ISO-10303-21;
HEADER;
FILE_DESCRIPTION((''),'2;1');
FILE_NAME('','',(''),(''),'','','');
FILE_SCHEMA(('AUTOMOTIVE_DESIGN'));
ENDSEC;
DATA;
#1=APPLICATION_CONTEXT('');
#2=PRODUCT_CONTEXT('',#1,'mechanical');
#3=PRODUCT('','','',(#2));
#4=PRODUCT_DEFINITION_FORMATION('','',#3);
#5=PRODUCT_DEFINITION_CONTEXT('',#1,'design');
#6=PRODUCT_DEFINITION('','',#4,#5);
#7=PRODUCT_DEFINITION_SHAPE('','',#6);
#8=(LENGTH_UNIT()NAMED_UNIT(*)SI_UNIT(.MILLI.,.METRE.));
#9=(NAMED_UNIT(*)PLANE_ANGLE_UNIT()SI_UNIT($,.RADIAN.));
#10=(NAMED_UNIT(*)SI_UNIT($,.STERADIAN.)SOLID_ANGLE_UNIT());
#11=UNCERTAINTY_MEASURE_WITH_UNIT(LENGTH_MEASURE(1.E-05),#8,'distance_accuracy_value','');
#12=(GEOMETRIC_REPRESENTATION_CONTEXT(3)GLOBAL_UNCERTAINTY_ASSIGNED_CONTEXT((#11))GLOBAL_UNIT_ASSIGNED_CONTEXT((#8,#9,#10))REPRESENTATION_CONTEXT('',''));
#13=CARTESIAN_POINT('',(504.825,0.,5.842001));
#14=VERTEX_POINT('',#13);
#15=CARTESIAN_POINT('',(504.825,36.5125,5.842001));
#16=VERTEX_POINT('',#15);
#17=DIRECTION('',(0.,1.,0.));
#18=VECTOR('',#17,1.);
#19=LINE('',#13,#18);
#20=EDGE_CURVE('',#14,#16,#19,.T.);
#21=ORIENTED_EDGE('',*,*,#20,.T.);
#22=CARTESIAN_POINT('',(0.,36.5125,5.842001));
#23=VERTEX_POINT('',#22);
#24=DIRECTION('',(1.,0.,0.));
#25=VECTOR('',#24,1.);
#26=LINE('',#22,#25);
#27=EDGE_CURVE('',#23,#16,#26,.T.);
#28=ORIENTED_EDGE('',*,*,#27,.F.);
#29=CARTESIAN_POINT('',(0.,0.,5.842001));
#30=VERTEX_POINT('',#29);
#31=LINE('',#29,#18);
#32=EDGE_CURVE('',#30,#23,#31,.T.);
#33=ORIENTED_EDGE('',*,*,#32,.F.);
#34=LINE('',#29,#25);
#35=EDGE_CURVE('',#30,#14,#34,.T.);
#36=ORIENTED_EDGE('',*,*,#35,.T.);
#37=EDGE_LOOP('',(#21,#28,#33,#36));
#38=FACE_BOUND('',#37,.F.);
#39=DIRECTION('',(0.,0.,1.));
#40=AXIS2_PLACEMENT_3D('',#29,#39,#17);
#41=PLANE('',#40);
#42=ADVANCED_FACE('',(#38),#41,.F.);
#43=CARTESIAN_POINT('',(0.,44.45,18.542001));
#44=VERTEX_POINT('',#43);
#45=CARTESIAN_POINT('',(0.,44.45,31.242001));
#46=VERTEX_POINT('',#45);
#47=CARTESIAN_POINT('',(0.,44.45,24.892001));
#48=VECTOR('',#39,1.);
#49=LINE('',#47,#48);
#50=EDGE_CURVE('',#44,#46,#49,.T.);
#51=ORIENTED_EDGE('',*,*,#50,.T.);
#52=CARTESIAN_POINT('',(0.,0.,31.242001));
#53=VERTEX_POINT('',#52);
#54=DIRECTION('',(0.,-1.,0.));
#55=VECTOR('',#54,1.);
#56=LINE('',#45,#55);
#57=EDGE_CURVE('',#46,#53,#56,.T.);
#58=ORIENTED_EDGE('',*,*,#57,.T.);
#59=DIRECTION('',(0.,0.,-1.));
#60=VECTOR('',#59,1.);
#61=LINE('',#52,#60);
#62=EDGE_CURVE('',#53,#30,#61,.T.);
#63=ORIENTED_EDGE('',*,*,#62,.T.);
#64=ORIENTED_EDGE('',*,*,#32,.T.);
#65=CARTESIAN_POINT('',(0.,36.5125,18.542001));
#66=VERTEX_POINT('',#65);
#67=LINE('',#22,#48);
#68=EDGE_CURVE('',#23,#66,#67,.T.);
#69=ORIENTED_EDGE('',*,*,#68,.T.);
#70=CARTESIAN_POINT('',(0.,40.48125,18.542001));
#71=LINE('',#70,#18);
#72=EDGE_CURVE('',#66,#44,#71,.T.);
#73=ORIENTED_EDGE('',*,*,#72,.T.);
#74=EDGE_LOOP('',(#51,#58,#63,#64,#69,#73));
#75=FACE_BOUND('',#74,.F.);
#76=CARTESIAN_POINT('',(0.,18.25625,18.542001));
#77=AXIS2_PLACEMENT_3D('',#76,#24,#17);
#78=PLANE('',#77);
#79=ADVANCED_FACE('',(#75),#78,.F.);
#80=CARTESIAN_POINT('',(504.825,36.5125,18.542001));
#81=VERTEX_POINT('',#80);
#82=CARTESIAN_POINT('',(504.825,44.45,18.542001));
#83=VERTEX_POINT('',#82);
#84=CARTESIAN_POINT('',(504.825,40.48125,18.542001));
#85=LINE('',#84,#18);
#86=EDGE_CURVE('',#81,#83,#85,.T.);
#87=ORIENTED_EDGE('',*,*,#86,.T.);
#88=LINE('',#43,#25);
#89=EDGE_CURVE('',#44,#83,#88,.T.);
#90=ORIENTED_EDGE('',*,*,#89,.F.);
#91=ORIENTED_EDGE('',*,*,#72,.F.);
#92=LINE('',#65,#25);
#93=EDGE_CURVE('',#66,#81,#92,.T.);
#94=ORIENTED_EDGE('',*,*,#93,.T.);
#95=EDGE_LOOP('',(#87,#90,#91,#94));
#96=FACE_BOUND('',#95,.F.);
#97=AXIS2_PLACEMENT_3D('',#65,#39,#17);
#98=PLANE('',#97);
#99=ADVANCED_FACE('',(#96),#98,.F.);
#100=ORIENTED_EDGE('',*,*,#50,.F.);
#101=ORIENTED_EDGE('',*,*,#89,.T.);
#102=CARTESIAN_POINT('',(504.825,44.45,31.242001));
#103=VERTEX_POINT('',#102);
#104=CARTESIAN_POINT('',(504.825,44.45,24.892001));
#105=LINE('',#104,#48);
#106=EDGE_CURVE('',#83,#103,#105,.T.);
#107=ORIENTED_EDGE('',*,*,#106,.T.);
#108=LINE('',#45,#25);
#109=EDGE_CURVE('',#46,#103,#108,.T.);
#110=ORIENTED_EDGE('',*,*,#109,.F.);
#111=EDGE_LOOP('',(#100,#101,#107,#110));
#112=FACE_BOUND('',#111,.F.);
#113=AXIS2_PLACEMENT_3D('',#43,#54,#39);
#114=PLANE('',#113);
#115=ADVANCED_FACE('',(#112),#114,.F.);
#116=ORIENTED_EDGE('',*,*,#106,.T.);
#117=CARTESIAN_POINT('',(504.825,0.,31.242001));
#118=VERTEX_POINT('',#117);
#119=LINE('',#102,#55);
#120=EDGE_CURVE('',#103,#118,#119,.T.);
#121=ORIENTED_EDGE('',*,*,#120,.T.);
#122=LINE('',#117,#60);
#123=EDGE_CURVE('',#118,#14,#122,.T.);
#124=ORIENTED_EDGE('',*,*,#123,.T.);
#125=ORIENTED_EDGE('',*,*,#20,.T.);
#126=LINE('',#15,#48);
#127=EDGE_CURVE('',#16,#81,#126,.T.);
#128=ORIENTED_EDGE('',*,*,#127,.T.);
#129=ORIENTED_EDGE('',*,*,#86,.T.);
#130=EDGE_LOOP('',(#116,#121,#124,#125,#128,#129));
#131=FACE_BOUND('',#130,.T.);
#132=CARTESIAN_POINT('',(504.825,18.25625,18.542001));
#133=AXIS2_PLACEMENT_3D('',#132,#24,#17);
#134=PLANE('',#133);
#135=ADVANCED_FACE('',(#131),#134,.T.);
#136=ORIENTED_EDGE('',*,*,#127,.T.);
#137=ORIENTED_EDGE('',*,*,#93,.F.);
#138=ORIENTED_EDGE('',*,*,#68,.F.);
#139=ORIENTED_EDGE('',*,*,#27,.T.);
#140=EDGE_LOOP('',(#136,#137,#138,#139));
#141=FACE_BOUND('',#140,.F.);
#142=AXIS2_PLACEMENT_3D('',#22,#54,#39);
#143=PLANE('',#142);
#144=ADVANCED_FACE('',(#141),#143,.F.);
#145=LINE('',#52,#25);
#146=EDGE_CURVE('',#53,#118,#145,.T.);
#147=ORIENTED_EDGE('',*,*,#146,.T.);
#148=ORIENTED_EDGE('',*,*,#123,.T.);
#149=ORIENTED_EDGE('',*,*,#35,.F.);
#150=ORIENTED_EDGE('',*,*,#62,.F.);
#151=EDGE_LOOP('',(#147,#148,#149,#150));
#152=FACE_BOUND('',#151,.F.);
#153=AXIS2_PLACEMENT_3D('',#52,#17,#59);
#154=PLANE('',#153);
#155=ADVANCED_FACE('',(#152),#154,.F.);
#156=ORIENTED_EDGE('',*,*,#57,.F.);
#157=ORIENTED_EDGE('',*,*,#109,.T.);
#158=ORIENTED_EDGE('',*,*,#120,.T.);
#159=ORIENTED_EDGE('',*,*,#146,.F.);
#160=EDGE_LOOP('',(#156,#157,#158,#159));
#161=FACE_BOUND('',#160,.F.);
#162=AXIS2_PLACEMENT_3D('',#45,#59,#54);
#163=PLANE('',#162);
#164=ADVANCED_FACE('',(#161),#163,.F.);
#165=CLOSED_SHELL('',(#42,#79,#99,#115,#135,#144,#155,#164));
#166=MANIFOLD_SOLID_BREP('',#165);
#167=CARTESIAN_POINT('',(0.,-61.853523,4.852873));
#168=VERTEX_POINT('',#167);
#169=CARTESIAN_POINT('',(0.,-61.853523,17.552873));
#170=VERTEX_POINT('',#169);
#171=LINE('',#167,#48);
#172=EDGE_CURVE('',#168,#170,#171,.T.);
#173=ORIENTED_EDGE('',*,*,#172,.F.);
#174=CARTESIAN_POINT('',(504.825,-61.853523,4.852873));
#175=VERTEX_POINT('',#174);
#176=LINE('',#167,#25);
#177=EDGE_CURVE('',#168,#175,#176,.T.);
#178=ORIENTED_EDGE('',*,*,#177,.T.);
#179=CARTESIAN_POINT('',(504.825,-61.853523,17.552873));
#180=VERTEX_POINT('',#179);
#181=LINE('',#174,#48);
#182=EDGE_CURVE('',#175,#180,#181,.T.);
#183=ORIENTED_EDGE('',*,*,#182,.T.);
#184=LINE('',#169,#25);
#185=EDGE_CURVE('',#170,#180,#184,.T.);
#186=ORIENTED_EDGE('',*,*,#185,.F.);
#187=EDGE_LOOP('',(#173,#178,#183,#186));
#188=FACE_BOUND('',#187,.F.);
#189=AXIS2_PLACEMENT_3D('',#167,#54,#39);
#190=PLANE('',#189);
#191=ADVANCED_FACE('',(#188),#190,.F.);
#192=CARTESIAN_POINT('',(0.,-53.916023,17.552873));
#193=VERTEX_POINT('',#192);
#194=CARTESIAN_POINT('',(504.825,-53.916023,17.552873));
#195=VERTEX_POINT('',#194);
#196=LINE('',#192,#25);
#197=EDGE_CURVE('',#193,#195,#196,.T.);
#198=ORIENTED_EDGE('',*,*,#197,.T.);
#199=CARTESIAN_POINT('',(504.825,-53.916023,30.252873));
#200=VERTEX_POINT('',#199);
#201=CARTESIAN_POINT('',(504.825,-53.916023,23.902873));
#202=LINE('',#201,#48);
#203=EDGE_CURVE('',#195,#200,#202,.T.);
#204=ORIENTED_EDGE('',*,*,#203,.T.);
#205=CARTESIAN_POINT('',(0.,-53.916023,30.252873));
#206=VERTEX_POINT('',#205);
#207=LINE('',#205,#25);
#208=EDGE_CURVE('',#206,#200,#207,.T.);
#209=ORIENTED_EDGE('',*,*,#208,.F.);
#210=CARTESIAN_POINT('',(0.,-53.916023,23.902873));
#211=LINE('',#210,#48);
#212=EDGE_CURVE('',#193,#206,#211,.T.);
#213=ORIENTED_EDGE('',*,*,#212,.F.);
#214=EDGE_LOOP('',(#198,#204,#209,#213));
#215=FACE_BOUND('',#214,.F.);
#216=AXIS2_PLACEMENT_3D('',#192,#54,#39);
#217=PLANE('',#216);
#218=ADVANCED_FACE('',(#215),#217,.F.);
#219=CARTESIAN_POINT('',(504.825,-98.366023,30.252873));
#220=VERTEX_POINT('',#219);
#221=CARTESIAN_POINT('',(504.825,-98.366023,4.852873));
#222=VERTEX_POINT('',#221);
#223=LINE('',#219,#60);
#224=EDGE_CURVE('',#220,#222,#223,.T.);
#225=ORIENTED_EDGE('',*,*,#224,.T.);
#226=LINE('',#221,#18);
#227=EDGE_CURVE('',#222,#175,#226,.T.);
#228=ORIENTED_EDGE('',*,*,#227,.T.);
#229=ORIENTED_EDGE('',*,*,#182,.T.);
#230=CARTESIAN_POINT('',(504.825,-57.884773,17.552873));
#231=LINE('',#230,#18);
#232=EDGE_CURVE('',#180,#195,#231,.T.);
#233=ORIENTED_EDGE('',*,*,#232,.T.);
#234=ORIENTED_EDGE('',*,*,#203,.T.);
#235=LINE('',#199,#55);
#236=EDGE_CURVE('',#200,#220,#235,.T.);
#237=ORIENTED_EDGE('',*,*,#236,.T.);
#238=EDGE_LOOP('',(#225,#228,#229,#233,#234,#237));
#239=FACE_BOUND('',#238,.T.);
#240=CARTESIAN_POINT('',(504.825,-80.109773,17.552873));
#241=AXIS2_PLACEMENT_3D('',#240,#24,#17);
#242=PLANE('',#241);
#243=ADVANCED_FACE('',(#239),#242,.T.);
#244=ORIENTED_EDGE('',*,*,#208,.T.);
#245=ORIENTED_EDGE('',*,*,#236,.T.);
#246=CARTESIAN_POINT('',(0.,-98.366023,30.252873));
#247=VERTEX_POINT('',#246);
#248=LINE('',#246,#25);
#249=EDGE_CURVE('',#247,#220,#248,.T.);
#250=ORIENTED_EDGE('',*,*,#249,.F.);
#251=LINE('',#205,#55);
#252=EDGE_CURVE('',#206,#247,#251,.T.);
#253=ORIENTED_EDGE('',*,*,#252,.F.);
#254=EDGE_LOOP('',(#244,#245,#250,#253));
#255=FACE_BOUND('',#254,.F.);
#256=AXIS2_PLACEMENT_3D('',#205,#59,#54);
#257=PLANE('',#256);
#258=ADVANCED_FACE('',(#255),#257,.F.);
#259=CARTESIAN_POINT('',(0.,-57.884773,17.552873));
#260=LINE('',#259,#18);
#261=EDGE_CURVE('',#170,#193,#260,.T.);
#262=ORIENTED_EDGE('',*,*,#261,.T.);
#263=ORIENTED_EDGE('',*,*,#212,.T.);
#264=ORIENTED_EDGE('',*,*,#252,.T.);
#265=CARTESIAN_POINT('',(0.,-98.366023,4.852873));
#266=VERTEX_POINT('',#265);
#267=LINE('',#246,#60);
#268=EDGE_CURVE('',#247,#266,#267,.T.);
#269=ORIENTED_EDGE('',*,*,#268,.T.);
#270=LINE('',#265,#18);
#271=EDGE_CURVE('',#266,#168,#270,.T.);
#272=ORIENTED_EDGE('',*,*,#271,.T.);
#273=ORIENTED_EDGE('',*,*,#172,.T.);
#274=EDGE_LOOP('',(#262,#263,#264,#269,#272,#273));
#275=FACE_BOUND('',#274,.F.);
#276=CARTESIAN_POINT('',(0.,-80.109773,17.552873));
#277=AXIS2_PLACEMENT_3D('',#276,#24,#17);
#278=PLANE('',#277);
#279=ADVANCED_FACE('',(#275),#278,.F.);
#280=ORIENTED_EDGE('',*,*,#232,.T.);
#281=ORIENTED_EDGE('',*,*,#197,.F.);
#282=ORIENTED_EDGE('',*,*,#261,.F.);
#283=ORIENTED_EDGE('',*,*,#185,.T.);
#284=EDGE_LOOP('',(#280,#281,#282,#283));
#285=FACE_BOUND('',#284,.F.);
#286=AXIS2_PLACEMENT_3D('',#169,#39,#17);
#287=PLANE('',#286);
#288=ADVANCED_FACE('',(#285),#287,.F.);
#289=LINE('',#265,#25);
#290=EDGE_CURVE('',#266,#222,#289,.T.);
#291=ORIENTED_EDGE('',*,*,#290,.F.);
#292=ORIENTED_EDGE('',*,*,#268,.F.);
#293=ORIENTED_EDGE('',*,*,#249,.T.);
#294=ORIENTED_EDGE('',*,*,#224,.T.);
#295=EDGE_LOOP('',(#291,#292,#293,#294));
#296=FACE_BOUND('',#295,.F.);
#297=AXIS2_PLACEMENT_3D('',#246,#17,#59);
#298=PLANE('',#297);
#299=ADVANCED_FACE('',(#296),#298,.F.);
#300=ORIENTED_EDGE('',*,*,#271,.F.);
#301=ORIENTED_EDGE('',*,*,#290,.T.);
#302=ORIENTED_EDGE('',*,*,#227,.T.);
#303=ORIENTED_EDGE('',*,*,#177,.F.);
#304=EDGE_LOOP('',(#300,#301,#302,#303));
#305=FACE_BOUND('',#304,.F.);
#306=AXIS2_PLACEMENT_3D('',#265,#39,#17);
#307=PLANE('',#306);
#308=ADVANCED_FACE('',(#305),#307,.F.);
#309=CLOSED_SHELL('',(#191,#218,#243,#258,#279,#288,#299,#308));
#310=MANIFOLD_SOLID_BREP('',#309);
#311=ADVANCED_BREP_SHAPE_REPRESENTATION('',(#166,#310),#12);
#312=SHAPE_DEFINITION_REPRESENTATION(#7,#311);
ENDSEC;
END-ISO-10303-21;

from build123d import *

# Parameters (mm, degrees)
F0_W     = 7.9375
F0_H     = 12.7
F1_DEPTH = 504.825


with BuildPart() as f1:
    # F0 (on Right) → F1 (new body)
    with BuildSketch(Plane.YZ):
        Polygon((-61.853523, 30.252873), (-98.366023, 30.252873), (-98.366023, 4.852873), (-61.853523, 4.852873), (-61.853523, 17.552873), align=None)
        with Locations((-57.884773, 23.902873)):
            Rectangle(F0_W, F0_H)
        Polygon((36.5125, 31.242001), (0, 31.242001), (0, 5.842001), (36.5125, 5.842001), (36.5125, 18.542001), align=None)
        with Locations((40.48125, 24.892001)):
            Rectangle(F0_W, F0_H)
    extrude(amount=F1_DEPTH)


solid = f1.part
